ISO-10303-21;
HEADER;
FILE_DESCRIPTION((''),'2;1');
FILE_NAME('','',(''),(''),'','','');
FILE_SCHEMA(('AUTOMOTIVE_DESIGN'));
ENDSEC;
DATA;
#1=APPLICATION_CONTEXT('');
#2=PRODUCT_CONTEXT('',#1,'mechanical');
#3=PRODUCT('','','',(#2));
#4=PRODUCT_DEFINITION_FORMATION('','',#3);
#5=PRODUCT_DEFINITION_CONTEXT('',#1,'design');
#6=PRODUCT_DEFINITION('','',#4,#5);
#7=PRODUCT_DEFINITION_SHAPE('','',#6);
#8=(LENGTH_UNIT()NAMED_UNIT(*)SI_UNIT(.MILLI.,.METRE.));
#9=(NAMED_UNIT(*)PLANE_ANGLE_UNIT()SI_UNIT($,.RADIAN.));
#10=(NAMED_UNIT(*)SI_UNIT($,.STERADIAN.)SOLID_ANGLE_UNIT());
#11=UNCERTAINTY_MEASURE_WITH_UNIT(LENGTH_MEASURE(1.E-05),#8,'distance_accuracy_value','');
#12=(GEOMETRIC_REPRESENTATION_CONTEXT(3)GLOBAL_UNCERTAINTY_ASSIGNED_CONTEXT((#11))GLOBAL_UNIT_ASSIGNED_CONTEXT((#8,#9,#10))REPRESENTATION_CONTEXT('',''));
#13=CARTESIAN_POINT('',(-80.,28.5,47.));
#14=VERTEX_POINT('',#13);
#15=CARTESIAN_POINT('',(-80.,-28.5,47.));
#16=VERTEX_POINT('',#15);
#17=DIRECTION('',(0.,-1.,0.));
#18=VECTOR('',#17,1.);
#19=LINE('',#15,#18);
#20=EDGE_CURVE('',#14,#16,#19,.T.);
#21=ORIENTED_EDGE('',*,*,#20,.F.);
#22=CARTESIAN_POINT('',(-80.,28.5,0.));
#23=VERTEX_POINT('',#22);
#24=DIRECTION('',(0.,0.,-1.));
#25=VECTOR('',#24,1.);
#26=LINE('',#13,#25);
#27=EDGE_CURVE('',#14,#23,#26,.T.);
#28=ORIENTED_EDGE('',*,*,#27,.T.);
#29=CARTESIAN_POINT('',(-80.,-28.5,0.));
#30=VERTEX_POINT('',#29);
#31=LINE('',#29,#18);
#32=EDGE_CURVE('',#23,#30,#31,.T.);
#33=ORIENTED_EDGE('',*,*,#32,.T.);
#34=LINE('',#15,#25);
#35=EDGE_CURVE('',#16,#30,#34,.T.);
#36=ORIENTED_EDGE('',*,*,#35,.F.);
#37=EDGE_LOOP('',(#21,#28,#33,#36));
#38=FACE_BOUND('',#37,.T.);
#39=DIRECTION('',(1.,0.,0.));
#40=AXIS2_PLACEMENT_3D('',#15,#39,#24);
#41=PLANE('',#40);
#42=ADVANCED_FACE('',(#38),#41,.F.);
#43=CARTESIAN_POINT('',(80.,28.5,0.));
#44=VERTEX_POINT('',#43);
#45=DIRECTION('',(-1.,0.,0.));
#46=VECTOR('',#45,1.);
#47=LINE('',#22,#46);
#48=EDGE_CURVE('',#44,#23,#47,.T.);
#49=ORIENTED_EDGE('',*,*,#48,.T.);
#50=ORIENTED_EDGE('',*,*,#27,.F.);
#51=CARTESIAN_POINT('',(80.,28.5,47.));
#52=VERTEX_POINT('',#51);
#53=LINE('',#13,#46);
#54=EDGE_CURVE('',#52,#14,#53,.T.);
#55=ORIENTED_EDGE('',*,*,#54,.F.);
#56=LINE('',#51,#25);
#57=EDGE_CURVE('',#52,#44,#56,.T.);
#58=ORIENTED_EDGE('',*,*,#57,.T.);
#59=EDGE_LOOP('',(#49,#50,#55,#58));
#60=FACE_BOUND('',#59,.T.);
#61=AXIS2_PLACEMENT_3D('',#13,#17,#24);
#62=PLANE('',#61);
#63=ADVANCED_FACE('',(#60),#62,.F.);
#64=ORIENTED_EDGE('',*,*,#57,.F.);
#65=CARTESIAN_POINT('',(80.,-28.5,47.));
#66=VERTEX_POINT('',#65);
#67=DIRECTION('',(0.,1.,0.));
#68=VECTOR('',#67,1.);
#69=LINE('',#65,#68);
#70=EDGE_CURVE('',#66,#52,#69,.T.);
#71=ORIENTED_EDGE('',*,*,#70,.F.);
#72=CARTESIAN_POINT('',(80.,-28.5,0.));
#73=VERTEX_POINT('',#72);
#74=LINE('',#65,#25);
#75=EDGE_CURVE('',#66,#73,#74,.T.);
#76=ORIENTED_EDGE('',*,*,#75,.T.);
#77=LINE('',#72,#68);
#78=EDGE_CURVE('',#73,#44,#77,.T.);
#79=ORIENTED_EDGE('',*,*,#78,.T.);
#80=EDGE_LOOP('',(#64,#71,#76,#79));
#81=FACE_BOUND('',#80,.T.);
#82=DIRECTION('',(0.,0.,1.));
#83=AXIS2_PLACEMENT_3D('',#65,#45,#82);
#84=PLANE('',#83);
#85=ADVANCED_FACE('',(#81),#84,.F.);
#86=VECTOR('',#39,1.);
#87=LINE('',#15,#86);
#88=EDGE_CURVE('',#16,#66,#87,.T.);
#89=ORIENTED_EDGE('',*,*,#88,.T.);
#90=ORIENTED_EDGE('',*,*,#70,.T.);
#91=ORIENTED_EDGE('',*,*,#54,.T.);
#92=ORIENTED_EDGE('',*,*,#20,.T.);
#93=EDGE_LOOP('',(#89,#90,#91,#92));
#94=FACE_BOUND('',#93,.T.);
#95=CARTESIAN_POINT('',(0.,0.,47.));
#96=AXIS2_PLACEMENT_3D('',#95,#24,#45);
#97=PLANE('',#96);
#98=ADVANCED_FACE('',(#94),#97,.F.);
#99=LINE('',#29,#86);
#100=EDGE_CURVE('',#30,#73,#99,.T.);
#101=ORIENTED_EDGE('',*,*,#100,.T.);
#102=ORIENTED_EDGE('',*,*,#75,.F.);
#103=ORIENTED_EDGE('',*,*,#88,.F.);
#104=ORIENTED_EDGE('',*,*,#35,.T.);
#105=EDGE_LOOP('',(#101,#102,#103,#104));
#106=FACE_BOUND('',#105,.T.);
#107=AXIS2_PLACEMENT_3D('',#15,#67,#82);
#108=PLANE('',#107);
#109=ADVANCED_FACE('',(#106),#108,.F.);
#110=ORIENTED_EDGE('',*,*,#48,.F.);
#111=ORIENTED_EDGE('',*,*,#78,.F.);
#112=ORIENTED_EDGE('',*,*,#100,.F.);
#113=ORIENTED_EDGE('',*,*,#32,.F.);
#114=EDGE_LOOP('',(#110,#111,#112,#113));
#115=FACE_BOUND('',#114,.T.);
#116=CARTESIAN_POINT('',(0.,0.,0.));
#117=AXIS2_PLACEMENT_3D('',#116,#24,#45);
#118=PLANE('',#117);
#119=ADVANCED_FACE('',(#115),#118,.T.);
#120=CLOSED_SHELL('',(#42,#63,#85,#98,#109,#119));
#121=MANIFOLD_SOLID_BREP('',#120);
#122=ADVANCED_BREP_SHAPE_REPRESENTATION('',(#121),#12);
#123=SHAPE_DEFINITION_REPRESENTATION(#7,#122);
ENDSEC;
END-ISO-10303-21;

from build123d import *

# Parameters (mm, degrees)
SKETCH_1_W      = 160
SKETCH_1_H      = 57
EXTRUDE_1_DEPTH = 47


with BuildPart() as part:
    # Эскиз1 → Бобышка-Вытянуть1 (new body)
    with BuildSketch(Plane.XY):
        Rectangle(SKETCH_1_W, SKETCH_1_H)
    extrude(amount=EXTRUDE_1_DEPTH)


solid = part.part
